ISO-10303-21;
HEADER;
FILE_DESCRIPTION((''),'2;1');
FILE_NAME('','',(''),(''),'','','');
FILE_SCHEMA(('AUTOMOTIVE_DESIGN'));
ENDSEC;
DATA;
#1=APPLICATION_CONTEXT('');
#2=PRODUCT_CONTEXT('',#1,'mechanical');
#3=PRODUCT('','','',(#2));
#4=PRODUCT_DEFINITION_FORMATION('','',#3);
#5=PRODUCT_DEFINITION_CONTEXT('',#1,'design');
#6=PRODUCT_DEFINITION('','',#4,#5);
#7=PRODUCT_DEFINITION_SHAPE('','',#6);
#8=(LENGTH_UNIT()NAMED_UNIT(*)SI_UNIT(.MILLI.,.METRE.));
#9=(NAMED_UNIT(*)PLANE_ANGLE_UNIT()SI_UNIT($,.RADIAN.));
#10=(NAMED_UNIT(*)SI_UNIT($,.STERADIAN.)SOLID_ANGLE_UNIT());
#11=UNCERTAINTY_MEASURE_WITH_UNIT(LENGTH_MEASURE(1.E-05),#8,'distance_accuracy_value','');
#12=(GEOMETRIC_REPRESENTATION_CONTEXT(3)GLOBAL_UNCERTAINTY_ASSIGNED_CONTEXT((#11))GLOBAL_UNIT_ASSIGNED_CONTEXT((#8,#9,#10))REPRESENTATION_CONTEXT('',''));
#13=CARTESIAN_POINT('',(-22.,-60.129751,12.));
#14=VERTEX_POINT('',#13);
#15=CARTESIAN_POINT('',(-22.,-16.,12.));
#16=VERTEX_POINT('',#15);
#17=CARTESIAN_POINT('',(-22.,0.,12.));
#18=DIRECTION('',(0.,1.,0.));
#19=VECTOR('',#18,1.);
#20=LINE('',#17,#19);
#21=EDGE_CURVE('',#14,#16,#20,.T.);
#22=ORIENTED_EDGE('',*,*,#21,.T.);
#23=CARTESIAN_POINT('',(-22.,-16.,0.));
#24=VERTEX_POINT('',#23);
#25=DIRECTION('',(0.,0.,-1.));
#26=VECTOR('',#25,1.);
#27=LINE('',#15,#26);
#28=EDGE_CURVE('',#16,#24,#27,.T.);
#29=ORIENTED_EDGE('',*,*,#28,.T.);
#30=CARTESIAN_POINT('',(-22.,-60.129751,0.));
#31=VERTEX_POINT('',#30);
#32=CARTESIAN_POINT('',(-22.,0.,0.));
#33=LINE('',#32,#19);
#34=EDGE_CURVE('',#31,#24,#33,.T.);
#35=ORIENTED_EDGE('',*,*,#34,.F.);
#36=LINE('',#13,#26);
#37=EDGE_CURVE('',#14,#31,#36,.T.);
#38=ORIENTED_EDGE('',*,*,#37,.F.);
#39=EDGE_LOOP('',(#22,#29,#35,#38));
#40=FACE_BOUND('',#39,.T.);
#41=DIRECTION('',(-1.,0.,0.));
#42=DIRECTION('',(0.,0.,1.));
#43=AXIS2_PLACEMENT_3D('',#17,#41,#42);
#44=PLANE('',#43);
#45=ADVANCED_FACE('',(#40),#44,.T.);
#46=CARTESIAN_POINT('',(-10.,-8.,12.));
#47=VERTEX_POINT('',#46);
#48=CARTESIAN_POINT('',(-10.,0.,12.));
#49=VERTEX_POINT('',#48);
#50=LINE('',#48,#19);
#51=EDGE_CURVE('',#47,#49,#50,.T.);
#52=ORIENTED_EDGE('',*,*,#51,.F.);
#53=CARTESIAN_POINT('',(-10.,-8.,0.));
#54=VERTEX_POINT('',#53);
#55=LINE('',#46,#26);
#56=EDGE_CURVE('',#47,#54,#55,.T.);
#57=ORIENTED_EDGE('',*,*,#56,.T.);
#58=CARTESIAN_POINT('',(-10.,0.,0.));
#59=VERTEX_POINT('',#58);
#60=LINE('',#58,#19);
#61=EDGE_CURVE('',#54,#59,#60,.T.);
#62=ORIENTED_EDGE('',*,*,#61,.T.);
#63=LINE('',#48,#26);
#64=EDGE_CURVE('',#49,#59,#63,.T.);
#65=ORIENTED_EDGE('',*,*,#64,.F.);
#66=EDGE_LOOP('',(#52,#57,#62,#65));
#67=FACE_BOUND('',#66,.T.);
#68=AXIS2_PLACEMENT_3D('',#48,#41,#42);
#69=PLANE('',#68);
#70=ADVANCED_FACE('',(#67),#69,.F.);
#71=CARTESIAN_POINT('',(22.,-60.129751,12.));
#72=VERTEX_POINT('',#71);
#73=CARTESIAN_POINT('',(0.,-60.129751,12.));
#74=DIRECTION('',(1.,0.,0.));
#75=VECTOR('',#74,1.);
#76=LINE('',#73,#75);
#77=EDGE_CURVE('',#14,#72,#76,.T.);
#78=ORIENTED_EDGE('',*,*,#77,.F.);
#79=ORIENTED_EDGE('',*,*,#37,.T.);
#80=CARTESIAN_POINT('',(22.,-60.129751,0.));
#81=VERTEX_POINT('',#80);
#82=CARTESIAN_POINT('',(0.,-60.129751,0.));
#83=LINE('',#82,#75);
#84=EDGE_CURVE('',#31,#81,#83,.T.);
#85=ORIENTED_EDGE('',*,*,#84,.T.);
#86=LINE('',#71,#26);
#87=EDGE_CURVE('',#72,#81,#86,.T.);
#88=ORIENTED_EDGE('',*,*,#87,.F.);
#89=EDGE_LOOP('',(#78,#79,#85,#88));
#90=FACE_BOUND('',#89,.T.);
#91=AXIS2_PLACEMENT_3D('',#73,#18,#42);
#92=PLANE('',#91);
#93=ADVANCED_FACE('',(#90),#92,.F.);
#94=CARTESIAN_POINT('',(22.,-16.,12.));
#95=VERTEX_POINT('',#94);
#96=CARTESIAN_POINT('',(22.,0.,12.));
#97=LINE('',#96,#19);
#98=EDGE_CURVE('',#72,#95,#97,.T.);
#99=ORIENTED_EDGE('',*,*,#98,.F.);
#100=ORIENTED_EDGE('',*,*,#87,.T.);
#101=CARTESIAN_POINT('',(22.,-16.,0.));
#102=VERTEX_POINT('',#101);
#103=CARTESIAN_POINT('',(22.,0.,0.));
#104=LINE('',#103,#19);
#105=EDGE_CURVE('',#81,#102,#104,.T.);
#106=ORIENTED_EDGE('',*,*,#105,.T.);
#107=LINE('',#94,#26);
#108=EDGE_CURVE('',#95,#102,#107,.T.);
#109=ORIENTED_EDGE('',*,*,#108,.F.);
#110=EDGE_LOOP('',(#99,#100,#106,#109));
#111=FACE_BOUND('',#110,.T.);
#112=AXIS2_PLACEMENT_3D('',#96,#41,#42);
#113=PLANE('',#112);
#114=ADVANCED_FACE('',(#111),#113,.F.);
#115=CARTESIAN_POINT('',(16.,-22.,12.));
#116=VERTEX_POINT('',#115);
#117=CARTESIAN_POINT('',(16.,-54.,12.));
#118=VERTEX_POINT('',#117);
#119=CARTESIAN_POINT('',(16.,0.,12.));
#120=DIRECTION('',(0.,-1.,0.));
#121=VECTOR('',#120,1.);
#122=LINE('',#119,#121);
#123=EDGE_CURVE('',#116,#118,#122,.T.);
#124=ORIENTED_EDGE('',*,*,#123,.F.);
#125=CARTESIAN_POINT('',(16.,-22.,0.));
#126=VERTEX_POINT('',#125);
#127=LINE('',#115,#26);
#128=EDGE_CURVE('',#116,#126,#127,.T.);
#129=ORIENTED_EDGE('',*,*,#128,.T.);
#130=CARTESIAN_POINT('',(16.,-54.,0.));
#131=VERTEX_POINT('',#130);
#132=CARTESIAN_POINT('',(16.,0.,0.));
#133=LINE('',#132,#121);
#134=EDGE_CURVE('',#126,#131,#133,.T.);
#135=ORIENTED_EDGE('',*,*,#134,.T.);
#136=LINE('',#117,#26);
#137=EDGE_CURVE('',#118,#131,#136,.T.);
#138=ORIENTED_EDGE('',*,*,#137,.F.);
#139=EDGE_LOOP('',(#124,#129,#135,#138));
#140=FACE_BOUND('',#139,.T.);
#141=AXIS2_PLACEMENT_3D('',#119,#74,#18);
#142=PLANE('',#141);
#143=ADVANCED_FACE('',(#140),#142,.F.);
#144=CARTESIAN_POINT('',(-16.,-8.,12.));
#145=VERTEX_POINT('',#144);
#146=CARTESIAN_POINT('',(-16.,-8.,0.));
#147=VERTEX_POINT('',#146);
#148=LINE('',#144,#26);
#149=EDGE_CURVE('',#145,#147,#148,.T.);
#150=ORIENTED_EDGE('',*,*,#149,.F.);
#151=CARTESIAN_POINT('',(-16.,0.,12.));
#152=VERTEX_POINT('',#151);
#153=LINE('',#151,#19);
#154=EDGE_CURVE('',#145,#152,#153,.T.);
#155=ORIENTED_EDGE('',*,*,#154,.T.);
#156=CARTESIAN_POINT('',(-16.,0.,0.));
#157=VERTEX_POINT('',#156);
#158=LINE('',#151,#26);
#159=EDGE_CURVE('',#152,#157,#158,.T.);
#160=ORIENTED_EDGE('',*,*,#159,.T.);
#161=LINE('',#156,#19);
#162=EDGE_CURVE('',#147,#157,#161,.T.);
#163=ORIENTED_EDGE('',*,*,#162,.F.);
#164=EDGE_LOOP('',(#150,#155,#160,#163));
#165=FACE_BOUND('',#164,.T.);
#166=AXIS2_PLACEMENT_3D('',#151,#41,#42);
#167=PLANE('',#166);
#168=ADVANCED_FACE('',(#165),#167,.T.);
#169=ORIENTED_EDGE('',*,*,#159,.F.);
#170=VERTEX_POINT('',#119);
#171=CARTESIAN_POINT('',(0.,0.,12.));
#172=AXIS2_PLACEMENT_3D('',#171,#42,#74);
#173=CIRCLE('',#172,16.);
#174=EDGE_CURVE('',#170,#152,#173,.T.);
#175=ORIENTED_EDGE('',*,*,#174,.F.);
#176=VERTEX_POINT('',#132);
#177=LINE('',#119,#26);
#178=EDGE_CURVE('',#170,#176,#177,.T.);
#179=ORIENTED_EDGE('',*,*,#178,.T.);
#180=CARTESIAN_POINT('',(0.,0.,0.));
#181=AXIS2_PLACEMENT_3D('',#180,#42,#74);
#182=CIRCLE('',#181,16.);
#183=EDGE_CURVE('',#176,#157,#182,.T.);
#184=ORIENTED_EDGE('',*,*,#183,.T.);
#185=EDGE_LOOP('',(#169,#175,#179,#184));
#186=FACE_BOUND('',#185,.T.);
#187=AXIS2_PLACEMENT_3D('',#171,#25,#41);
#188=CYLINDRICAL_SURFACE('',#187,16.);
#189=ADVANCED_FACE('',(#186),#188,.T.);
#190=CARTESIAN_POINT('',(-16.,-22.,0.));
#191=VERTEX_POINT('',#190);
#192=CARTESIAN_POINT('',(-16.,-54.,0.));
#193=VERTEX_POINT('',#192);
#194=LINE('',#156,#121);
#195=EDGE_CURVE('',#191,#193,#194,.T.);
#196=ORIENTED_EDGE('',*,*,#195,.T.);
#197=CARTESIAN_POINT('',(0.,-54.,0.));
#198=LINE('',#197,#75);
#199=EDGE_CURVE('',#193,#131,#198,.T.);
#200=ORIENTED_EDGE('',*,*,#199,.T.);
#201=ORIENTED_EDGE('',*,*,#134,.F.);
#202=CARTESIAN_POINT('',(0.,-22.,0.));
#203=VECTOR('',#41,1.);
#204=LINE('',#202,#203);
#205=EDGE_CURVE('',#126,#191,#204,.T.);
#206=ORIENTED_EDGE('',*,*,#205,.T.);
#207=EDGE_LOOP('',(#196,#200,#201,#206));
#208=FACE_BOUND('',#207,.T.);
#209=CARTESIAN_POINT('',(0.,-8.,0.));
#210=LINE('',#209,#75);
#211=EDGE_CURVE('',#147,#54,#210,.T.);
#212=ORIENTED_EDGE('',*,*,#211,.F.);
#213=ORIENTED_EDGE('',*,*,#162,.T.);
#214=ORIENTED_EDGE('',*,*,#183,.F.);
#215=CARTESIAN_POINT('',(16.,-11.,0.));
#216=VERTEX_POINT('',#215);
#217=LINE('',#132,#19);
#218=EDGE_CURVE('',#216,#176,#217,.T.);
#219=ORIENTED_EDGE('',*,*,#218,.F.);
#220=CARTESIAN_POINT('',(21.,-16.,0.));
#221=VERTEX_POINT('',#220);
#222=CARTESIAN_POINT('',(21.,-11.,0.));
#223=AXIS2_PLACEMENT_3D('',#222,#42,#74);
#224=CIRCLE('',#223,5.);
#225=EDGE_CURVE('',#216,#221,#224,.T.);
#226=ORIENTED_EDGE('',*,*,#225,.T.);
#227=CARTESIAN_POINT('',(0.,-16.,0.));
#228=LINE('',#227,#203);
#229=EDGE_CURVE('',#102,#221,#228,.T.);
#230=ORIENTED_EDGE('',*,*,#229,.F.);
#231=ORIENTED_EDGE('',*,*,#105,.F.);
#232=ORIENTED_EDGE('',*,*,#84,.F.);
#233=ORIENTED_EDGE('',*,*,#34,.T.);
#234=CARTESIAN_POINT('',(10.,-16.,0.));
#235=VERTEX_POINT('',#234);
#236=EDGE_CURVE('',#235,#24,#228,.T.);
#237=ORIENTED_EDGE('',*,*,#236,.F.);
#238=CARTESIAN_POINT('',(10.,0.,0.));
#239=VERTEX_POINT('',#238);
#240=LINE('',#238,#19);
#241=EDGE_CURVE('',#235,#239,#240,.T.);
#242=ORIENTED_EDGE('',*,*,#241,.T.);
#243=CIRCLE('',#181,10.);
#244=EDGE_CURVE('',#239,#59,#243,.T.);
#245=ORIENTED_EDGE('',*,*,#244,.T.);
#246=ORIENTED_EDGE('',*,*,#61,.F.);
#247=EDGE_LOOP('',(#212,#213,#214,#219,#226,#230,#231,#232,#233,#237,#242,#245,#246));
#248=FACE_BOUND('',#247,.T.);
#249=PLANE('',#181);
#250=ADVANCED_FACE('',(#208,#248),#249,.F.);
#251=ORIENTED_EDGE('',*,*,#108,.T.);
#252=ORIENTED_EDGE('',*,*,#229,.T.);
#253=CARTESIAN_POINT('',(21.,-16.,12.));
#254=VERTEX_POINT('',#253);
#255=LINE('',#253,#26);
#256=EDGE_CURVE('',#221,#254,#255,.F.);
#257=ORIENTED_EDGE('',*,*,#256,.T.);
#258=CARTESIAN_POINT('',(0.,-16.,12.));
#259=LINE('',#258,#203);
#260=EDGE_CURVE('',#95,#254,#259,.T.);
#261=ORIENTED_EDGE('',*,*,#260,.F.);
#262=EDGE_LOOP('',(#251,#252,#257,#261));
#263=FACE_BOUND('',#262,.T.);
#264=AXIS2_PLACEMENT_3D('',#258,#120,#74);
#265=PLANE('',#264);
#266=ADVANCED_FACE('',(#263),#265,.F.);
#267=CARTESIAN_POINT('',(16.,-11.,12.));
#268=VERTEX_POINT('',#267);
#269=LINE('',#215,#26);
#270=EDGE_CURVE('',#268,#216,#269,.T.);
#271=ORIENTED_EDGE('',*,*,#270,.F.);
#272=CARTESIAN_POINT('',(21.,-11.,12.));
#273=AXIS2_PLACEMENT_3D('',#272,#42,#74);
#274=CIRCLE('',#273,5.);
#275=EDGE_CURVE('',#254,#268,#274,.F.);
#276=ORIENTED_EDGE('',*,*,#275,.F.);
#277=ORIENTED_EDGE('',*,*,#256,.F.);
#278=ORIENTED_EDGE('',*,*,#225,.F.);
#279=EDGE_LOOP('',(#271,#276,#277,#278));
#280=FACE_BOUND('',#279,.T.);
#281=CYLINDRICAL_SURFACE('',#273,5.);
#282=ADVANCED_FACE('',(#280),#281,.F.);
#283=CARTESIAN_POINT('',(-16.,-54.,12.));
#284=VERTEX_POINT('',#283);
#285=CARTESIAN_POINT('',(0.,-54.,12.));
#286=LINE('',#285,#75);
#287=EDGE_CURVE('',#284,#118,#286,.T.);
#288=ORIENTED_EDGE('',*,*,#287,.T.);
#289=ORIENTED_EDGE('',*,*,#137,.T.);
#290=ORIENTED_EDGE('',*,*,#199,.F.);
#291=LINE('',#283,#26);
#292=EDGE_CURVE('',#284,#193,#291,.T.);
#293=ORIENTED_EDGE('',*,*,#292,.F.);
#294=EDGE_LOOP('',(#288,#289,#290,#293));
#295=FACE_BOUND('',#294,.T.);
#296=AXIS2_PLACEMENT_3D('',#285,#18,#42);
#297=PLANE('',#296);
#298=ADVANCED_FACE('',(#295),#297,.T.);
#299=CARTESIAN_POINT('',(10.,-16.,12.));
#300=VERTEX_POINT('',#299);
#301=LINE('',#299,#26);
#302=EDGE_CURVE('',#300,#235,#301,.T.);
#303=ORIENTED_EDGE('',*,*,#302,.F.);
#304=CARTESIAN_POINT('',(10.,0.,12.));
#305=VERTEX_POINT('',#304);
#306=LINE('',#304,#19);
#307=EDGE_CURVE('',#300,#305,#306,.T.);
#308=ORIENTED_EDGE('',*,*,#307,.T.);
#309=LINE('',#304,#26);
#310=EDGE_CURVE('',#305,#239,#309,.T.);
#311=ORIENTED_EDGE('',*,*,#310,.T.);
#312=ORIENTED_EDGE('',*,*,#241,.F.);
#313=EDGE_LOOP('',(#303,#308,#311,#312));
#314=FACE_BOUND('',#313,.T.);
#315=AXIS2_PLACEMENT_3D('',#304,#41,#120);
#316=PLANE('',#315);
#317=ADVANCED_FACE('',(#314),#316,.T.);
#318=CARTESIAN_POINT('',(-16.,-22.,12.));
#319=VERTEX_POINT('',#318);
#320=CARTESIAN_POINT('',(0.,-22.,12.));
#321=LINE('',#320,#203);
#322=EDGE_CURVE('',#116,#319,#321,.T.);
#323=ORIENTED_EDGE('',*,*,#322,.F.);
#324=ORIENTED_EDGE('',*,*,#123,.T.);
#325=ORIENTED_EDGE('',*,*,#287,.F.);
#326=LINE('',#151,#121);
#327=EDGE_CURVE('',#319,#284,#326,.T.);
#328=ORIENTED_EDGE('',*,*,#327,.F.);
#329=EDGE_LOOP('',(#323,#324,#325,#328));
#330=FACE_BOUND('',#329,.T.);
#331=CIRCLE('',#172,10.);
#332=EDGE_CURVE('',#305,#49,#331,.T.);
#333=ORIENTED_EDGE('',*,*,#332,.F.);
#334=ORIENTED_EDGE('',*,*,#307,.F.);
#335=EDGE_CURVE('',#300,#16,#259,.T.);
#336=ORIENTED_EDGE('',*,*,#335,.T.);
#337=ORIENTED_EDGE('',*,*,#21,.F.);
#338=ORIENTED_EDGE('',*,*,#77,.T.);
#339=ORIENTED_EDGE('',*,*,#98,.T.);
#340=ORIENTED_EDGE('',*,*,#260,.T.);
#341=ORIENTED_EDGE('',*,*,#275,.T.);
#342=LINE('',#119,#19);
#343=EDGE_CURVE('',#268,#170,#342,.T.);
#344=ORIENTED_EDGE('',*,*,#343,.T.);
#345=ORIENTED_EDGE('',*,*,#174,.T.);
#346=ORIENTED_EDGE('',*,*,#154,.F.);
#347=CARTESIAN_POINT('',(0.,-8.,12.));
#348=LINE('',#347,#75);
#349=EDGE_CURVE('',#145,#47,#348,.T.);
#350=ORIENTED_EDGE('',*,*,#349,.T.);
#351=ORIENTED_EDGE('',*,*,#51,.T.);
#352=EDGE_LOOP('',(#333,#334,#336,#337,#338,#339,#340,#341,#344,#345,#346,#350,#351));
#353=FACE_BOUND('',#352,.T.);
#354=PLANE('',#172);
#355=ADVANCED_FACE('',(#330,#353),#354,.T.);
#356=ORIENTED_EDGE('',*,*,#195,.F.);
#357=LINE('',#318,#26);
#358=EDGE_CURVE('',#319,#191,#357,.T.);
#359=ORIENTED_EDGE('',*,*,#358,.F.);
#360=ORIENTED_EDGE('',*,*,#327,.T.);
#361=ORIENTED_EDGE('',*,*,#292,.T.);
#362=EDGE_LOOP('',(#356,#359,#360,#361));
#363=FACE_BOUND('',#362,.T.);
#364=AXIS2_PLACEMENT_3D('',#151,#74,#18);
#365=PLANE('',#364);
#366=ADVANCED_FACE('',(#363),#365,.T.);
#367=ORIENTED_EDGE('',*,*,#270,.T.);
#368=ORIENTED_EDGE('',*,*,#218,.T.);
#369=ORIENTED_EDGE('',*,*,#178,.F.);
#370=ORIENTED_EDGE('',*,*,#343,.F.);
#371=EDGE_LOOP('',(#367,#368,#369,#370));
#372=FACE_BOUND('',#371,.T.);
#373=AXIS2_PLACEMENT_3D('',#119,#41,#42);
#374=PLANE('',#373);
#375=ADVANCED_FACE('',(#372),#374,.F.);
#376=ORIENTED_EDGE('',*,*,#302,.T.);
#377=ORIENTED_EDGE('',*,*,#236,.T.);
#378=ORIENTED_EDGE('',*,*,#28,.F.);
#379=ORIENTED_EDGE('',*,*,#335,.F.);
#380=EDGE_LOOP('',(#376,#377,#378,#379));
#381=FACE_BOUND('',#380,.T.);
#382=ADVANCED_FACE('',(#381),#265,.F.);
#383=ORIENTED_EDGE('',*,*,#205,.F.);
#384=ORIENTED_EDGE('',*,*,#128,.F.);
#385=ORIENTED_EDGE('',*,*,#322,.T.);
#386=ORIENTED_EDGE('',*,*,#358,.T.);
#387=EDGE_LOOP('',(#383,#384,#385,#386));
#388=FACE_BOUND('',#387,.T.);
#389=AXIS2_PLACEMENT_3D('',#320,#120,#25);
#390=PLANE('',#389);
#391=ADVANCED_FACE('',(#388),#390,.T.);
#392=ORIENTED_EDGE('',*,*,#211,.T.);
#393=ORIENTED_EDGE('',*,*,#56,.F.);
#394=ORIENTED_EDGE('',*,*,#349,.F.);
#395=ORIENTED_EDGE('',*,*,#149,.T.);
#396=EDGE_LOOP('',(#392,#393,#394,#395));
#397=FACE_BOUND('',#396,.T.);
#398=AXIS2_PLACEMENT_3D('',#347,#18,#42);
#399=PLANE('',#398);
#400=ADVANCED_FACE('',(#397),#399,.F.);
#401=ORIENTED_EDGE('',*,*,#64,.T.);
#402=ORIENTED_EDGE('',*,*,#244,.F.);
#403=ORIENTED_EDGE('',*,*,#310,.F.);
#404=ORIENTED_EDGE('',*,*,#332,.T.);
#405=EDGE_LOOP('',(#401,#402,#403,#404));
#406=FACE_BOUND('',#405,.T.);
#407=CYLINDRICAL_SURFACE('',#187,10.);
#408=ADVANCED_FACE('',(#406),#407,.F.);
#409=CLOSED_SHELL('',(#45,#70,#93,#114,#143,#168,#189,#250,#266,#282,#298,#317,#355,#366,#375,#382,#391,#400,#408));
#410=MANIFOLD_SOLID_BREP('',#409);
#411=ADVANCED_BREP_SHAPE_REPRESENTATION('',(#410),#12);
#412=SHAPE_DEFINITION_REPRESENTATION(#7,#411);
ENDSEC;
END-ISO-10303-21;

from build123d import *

# Parameters (mm, degrees)
EXTRUDE_1_DEPTH = 12
FILLET_1_R      = 5


with BuildPart() as part:
    # 草图1 → 凸台-拉伸1 (new body)
    with BuildSketch(Plane.XY):
        with BuildLine():
            Line((-16, -8), (-10, -8))
            Line((-10, -8), (-10, 0))
            ThreePointArc((-10, 0), (0, 10), (10, 0))
            Line((10, 0), (10, -16))
            Line((10, -16), (16, -16))
            Line((16, -16), (16, 0))
            ThreePointArc((16, 0), (0, 16), (-16, 0))
            Line((-16, 0), (-16, -8))
        make_face()
        Polygon((16, -16), (10, -16), (-10, -16), (-16, -16), (-22, -16), (-22, -54), (-16, -54), (-16, -22), (-10, -22), (10, -22), (16, -22), (16, -54), (22, -54), (22, -16), align=None)
        Polygon((16, -54), (22, -54), (22, -60.12975141), (-22, -60.12975141), (-22, -54), (-16, -54), align=None)
    extrude(amount=EXTRUDE_1_DEPTH)

    # 圆角1
    fillet_1_edges = [part.edges().sort_by_distance(p)[0] for p in [
        (16, -16, 6),
    ]]
    fillet(fillet_1_edges, radius=FILLET_1_R)


solid = part.part
